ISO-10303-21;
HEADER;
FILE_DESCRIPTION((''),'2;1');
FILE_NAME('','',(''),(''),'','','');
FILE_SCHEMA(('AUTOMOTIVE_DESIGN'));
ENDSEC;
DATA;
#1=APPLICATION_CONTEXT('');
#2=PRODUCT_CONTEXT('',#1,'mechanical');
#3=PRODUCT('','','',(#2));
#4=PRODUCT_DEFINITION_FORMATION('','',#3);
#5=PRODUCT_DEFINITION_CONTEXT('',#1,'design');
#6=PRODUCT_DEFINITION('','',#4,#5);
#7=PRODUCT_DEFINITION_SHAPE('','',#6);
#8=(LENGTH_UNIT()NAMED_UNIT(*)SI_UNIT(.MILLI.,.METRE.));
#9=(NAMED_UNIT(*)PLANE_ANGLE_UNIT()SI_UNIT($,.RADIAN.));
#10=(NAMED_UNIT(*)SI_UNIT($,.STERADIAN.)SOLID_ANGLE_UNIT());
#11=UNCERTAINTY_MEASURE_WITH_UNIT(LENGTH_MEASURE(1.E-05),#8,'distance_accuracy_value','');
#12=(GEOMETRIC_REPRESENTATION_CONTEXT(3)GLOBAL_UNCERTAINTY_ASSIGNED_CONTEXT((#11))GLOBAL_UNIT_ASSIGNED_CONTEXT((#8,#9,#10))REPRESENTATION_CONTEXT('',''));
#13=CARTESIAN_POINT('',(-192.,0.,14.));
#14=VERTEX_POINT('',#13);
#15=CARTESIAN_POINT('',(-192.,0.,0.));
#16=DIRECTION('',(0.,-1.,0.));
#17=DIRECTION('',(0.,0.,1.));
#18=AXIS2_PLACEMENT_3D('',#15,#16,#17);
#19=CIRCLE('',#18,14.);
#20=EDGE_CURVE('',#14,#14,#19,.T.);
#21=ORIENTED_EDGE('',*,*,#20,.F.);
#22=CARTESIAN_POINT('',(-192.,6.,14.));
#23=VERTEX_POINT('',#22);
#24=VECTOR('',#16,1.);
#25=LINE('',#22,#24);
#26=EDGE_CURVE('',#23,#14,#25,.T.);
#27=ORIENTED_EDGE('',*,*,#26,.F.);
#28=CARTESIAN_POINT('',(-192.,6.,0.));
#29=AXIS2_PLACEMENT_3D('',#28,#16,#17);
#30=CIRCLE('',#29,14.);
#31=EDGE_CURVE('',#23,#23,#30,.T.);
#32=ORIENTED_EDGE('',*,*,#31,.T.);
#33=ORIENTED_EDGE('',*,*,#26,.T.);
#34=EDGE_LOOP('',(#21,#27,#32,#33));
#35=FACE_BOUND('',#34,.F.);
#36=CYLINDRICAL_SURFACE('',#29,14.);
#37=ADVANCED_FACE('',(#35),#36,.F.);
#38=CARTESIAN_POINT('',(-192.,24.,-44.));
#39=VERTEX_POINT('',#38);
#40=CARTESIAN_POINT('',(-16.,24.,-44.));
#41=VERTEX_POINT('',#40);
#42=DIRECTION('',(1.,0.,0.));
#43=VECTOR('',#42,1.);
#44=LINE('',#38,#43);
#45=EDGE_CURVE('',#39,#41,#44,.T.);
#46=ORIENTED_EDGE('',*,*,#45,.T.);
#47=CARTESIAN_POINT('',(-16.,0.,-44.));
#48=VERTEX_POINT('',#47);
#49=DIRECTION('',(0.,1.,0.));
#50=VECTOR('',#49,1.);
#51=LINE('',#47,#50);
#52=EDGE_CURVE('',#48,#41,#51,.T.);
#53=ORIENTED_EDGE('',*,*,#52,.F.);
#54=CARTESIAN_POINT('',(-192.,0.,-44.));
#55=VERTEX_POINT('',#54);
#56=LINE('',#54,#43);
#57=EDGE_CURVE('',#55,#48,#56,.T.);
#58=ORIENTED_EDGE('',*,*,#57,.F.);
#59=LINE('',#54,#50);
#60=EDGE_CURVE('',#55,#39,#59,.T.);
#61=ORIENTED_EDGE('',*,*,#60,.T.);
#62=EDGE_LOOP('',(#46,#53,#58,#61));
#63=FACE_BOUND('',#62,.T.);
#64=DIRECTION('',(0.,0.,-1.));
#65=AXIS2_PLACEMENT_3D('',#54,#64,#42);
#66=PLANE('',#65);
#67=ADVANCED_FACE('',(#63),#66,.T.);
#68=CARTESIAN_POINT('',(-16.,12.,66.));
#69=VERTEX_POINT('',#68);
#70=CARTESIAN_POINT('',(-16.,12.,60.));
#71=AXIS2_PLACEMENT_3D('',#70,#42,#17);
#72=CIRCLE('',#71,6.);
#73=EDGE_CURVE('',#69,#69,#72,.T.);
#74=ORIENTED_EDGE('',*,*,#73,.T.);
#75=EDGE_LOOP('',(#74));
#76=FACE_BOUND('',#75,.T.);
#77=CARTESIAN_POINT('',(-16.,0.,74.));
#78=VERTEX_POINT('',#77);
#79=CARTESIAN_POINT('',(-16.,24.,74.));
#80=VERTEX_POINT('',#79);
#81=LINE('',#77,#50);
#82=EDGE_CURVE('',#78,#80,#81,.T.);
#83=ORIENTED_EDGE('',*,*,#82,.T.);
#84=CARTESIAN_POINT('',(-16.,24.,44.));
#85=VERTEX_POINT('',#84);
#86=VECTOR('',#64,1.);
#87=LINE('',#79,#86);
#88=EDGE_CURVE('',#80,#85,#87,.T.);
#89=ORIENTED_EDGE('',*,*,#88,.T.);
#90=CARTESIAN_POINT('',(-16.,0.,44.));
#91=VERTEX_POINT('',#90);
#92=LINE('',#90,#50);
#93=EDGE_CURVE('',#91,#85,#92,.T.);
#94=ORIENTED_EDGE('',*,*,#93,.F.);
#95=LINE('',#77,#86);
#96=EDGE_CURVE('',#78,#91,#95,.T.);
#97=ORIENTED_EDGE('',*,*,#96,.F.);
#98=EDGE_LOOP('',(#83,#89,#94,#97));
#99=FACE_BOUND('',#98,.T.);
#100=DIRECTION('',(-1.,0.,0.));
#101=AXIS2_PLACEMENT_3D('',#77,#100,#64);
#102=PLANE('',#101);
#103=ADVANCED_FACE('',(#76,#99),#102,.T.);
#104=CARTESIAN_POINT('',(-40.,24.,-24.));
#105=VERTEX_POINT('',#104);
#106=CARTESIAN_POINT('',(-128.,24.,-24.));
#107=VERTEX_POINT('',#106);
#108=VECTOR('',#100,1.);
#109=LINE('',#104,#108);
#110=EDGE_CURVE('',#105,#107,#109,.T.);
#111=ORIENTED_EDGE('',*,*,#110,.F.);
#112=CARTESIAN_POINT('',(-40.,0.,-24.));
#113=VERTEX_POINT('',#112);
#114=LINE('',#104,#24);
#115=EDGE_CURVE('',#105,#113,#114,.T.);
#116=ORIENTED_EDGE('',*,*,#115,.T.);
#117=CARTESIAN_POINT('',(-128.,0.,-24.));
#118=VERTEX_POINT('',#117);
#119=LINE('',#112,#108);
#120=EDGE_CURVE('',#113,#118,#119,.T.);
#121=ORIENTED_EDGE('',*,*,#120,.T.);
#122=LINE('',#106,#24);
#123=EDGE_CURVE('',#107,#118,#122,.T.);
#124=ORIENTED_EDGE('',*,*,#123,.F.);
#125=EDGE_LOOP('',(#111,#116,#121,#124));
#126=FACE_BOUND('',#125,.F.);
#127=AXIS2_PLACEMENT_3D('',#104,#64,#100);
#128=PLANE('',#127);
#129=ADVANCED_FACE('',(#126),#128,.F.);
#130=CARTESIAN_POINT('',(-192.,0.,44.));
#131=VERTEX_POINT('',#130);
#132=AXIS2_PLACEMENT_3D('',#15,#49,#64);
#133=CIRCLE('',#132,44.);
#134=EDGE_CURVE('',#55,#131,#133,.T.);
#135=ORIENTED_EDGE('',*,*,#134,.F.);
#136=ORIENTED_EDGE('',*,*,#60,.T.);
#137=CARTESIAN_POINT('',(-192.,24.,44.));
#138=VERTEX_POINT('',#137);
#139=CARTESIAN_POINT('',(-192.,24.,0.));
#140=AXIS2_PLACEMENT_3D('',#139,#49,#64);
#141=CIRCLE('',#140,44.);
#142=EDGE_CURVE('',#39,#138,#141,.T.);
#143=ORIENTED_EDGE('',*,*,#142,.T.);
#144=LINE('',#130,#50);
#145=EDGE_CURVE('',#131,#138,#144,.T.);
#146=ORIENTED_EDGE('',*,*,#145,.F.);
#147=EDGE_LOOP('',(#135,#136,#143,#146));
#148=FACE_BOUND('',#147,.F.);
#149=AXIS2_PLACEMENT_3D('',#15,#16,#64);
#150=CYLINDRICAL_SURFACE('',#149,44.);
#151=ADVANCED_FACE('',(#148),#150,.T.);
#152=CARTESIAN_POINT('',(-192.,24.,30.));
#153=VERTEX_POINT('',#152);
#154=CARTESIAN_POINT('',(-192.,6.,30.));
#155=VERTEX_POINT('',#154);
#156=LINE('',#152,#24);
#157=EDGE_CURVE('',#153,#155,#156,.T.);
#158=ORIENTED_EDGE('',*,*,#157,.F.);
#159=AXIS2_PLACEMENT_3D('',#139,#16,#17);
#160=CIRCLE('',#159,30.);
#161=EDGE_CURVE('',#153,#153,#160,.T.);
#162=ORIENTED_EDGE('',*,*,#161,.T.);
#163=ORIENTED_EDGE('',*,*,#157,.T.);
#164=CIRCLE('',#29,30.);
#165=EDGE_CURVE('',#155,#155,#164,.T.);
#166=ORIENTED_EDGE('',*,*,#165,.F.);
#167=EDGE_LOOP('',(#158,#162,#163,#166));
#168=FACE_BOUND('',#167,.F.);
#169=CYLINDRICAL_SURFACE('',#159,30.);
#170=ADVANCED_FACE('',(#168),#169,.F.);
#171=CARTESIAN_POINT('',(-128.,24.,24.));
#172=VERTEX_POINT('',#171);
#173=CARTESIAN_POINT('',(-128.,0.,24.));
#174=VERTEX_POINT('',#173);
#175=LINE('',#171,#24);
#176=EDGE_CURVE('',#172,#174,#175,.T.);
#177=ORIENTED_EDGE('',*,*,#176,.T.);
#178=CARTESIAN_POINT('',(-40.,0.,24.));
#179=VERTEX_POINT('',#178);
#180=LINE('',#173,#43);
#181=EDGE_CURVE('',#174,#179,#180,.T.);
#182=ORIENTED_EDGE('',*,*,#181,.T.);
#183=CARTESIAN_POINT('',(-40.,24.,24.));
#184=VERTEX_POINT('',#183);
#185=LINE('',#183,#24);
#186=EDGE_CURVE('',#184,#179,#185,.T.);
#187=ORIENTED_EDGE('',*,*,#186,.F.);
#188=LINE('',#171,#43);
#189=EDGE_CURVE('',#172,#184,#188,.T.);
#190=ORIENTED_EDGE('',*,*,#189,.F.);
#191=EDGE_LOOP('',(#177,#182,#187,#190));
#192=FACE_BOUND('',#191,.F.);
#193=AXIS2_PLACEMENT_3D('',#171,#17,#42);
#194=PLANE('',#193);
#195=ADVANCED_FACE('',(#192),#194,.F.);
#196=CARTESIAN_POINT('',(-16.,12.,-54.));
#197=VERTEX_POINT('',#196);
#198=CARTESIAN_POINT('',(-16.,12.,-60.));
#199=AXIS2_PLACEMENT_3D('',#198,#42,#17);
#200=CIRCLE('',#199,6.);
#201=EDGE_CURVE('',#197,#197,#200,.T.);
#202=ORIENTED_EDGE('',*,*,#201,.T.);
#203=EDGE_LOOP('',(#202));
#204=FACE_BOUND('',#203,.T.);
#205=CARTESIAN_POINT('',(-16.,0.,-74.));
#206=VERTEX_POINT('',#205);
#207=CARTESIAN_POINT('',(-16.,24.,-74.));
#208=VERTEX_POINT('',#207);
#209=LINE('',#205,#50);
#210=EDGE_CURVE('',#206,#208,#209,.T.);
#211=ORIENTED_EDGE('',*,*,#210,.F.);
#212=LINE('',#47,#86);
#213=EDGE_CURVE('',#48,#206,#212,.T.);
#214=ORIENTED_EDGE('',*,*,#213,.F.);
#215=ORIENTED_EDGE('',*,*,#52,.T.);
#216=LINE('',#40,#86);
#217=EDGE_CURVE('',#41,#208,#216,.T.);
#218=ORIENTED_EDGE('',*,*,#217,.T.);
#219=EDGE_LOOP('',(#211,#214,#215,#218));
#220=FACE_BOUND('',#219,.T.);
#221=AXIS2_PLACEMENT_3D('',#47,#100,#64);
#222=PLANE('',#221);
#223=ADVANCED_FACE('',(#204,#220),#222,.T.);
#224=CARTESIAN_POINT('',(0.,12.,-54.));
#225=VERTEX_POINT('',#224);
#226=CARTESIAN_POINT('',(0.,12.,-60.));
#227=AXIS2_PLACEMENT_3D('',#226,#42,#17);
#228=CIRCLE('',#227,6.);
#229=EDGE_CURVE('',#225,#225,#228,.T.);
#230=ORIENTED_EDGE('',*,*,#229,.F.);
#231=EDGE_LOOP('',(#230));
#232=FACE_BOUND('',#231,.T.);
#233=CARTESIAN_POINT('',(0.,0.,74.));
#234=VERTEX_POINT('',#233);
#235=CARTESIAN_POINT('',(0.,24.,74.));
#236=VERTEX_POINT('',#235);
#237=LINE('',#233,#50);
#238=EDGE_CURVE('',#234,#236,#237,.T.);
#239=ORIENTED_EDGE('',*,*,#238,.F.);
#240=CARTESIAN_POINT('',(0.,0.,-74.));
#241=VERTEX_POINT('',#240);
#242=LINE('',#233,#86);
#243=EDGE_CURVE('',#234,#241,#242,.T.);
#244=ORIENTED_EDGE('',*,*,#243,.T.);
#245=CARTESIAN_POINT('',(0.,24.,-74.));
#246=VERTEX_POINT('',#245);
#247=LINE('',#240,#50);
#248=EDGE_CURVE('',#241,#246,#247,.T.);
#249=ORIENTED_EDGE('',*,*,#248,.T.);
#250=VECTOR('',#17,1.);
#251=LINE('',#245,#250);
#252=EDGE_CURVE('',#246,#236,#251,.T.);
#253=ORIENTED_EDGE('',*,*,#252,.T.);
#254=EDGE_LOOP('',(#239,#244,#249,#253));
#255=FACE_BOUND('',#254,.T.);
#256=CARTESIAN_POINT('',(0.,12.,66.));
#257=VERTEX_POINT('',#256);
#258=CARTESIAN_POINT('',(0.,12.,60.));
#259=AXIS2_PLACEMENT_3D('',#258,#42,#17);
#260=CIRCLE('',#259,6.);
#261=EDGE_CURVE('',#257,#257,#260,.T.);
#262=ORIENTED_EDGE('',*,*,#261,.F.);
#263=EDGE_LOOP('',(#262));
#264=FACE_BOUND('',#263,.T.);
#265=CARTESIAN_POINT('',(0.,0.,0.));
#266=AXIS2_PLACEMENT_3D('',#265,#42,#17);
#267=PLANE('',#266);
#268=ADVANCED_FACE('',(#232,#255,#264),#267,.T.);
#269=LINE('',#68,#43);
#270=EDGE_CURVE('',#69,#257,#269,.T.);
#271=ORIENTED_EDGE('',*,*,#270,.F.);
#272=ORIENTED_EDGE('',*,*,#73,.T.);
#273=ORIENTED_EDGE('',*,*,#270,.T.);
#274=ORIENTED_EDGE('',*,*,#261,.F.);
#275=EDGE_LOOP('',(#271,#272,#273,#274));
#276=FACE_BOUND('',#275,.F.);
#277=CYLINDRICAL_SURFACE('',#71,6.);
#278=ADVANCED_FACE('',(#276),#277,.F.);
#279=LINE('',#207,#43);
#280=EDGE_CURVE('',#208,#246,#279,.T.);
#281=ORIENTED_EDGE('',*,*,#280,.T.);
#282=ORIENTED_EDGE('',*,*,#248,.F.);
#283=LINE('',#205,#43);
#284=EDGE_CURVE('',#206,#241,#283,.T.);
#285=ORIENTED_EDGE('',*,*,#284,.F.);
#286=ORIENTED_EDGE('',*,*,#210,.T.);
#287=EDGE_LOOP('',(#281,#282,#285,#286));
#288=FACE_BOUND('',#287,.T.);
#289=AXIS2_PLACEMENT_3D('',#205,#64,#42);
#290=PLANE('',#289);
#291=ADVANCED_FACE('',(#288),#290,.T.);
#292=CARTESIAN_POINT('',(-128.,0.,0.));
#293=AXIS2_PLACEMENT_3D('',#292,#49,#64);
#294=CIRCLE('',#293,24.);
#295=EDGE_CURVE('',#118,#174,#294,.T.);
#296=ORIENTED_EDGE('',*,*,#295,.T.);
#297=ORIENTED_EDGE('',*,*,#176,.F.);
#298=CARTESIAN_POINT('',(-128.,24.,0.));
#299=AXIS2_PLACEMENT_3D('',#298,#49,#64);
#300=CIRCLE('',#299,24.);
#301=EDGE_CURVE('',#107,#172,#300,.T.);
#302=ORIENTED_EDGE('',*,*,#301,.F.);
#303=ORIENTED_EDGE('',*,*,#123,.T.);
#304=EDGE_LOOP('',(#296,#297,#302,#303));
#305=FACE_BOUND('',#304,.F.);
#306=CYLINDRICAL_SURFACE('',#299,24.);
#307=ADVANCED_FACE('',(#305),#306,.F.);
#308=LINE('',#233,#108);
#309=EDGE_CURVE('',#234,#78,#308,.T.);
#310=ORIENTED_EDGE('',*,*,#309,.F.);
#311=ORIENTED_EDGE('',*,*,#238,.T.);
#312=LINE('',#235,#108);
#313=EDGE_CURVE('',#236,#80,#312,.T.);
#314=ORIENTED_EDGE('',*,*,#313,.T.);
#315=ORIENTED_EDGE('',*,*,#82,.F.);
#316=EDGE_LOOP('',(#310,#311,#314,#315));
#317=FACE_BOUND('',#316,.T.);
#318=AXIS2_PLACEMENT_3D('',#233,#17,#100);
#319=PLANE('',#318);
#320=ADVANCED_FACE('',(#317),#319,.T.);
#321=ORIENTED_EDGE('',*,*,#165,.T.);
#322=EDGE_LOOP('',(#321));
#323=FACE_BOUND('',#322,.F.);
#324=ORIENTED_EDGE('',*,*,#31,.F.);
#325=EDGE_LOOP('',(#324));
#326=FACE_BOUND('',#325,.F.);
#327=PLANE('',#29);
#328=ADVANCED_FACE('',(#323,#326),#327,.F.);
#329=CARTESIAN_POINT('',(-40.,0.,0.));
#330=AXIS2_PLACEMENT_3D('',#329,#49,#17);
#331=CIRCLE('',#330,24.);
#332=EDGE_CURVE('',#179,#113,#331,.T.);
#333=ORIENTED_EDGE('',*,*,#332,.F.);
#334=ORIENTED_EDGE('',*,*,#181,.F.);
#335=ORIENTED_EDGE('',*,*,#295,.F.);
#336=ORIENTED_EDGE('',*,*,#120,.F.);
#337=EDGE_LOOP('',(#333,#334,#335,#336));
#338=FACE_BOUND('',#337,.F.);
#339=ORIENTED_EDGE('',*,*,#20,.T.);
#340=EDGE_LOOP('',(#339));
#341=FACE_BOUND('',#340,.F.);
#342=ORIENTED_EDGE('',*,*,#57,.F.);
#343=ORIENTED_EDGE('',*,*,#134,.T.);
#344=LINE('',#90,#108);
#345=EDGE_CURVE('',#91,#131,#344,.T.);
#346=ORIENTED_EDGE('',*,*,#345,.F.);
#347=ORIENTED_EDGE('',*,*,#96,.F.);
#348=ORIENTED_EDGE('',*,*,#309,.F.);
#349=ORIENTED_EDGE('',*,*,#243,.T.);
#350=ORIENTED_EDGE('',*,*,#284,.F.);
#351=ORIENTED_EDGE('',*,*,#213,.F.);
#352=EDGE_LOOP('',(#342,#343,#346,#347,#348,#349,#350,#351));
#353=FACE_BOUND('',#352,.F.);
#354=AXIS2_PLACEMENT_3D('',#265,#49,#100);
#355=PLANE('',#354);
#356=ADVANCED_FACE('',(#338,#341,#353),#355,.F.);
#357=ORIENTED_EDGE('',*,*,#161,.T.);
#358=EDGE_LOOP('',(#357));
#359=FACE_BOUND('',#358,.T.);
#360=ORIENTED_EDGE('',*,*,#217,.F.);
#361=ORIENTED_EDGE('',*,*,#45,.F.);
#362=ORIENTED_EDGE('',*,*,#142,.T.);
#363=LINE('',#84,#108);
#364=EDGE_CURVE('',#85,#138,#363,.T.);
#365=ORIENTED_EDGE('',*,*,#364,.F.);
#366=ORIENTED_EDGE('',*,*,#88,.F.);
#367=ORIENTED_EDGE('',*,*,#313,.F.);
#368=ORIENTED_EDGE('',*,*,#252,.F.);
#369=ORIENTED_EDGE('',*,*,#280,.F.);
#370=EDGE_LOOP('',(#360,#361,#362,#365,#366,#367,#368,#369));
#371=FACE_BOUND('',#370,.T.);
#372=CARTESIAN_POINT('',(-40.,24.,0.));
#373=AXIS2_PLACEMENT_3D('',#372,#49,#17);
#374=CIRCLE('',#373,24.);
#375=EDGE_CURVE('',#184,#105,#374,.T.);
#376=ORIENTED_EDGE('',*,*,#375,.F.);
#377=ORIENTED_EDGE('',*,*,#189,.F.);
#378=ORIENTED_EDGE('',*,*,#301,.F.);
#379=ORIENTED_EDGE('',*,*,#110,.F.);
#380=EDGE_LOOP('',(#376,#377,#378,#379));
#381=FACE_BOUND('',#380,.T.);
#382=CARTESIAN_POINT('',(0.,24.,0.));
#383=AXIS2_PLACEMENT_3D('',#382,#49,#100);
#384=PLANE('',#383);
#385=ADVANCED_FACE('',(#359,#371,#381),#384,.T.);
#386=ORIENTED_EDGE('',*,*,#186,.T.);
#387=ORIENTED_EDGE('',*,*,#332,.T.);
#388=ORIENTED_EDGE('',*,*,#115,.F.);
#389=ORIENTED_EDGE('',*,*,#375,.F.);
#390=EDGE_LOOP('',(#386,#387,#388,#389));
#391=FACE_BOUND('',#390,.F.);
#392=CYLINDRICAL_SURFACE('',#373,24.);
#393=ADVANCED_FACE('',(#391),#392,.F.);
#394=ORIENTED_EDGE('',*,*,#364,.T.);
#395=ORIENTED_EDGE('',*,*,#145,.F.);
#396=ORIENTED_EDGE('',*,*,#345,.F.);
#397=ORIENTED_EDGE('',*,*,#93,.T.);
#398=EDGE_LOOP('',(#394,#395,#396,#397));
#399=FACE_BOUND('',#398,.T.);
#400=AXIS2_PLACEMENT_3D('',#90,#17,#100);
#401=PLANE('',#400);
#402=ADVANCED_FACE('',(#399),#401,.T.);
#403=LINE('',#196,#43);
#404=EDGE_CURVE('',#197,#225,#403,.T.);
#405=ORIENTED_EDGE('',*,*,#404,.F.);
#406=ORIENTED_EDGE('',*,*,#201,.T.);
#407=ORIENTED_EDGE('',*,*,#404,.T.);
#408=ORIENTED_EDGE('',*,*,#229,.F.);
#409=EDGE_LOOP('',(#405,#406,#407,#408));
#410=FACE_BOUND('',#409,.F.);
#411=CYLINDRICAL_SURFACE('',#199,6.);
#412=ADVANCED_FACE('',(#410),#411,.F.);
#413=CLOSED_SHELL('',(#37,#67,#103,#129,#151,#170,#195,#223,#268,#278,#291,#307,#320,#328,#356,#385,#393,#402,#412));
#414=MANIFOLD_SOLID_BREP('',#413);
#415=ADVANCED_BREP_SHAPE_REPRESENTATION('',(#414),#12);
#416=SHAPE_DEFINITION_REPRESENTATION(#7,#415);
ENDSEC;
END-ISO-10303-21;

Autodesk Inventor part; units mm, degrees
ref_plane "YZ Plane" through (0, 0, 0) normal (1, 0, 0) x (0, 1, 0)
ref_plane "XZ Plane" through (0, 0, 0) normal (0, 1, 0) x (-1, 0, 0)
ref_plane "XY Plane" through (0, 0, 0) normal (0, 0, 1) x (1, 0, 0)
sketch "Skizze1" plane through (0, 0, 0) normal (0, 1, 0) x (-1, 0, 0)
  line L0 (0, 0) -> (0, 74)
  line L1 (0, 74) -> (16, 74)
  line L2 (16, 74) -> (16, 44)
  line L3 (16, 44) -> (192, 44)
  arc A0 (192, -44) -> (192, 44) centre (192, 0) ccw
  line L4 (192, -44) -> (16, -44)
  line L5 (16, -44) -> (16, -74)
  line L6 (16, -74) -> (0, -74)
  line L7 (0, -74) -> (0, 0)
  line L8 (0, 0) -> (236, 0) construction
  dimension "d0" = 192
  dimension "d1" = 16
  dimension "d2" = 30
  dimension "d3" = 44
extrude "Extrusion1" add sketch "Skizze1" along normal blind 24
sketch "Skizze2" plane through (0, 24, 0) normal (0, 1, 0) x (1, 0, 0)
  arc A0 (-192, 44) -> (-192, -44) centre (-192, 0) ccw projected
  point P0 (0, 0)
hole "Bohrung1" at (-192, 24, 0) direction (0, -1, 0) diameter 60 depth 18
sketch "Skizze3" plane through (-192, 6, 0) normal (0, 1, 0) x (1, 0, 0)
  circle A0 centre (0, 0) radius 30 projected
  point P0 (192, 0)
hole "Bohrung2" at (-192, 6, 0) direction (0, -1, 0) diameter 28 depth 6
sketch "Skizze4" plane through (0, 24, 0) normal (0, 1, 0) x (1, 0, 0)
  line L0 (-40, 0) -> (-128, 0) construction
  line L1 (-40, 24) -> (-128, 24)
  line L2 (-128, -24) -> (-40, -24)
  arc A0 (-40, -24) -> (-40, 24) centre (-40, 0) ccw
  arc A1 (-128, 24) -> (-128, -24) centre (-128, 0) ccw
  line L3 (0, -74) -> (0, 74) projected
  line L4 (-16, -44) -> (-16, -74) projected
  point P0 (0, 0)
  point P1 (-84, 0)
  point P2 (0, 0)
  point P3 (0, 0)
  dimension "d20" = 88
  dimension "d21" = 48
  dimension "d22" = 24
extrude "Extrusion2" cut sketch "Skizze4" against normal up to surface (24 mm away)
sketch "Skizze5" plane through (-16, 0, -74) normal (-1, 0, 0) x (0, 0, 1)
  line L0 (148, 0) -> (148, 24) projected
  line L1 (0, 0) -> (0, 24) projected
  point P0 (74, 0)
  point P1 (14, 12)
  point P2 (134, 12)
  point P3 (148, 12)
  point P4 (0, 12)
  dimension "d32" = 120
  dimension "d33" = 60
hole "Bohrung3" at (-16, 12, -60) at (-16, 12, 60) direction (1, 0, 0) diameter 12 depth 16
properties part number "1" material "Messing, weicher Gelbton"
